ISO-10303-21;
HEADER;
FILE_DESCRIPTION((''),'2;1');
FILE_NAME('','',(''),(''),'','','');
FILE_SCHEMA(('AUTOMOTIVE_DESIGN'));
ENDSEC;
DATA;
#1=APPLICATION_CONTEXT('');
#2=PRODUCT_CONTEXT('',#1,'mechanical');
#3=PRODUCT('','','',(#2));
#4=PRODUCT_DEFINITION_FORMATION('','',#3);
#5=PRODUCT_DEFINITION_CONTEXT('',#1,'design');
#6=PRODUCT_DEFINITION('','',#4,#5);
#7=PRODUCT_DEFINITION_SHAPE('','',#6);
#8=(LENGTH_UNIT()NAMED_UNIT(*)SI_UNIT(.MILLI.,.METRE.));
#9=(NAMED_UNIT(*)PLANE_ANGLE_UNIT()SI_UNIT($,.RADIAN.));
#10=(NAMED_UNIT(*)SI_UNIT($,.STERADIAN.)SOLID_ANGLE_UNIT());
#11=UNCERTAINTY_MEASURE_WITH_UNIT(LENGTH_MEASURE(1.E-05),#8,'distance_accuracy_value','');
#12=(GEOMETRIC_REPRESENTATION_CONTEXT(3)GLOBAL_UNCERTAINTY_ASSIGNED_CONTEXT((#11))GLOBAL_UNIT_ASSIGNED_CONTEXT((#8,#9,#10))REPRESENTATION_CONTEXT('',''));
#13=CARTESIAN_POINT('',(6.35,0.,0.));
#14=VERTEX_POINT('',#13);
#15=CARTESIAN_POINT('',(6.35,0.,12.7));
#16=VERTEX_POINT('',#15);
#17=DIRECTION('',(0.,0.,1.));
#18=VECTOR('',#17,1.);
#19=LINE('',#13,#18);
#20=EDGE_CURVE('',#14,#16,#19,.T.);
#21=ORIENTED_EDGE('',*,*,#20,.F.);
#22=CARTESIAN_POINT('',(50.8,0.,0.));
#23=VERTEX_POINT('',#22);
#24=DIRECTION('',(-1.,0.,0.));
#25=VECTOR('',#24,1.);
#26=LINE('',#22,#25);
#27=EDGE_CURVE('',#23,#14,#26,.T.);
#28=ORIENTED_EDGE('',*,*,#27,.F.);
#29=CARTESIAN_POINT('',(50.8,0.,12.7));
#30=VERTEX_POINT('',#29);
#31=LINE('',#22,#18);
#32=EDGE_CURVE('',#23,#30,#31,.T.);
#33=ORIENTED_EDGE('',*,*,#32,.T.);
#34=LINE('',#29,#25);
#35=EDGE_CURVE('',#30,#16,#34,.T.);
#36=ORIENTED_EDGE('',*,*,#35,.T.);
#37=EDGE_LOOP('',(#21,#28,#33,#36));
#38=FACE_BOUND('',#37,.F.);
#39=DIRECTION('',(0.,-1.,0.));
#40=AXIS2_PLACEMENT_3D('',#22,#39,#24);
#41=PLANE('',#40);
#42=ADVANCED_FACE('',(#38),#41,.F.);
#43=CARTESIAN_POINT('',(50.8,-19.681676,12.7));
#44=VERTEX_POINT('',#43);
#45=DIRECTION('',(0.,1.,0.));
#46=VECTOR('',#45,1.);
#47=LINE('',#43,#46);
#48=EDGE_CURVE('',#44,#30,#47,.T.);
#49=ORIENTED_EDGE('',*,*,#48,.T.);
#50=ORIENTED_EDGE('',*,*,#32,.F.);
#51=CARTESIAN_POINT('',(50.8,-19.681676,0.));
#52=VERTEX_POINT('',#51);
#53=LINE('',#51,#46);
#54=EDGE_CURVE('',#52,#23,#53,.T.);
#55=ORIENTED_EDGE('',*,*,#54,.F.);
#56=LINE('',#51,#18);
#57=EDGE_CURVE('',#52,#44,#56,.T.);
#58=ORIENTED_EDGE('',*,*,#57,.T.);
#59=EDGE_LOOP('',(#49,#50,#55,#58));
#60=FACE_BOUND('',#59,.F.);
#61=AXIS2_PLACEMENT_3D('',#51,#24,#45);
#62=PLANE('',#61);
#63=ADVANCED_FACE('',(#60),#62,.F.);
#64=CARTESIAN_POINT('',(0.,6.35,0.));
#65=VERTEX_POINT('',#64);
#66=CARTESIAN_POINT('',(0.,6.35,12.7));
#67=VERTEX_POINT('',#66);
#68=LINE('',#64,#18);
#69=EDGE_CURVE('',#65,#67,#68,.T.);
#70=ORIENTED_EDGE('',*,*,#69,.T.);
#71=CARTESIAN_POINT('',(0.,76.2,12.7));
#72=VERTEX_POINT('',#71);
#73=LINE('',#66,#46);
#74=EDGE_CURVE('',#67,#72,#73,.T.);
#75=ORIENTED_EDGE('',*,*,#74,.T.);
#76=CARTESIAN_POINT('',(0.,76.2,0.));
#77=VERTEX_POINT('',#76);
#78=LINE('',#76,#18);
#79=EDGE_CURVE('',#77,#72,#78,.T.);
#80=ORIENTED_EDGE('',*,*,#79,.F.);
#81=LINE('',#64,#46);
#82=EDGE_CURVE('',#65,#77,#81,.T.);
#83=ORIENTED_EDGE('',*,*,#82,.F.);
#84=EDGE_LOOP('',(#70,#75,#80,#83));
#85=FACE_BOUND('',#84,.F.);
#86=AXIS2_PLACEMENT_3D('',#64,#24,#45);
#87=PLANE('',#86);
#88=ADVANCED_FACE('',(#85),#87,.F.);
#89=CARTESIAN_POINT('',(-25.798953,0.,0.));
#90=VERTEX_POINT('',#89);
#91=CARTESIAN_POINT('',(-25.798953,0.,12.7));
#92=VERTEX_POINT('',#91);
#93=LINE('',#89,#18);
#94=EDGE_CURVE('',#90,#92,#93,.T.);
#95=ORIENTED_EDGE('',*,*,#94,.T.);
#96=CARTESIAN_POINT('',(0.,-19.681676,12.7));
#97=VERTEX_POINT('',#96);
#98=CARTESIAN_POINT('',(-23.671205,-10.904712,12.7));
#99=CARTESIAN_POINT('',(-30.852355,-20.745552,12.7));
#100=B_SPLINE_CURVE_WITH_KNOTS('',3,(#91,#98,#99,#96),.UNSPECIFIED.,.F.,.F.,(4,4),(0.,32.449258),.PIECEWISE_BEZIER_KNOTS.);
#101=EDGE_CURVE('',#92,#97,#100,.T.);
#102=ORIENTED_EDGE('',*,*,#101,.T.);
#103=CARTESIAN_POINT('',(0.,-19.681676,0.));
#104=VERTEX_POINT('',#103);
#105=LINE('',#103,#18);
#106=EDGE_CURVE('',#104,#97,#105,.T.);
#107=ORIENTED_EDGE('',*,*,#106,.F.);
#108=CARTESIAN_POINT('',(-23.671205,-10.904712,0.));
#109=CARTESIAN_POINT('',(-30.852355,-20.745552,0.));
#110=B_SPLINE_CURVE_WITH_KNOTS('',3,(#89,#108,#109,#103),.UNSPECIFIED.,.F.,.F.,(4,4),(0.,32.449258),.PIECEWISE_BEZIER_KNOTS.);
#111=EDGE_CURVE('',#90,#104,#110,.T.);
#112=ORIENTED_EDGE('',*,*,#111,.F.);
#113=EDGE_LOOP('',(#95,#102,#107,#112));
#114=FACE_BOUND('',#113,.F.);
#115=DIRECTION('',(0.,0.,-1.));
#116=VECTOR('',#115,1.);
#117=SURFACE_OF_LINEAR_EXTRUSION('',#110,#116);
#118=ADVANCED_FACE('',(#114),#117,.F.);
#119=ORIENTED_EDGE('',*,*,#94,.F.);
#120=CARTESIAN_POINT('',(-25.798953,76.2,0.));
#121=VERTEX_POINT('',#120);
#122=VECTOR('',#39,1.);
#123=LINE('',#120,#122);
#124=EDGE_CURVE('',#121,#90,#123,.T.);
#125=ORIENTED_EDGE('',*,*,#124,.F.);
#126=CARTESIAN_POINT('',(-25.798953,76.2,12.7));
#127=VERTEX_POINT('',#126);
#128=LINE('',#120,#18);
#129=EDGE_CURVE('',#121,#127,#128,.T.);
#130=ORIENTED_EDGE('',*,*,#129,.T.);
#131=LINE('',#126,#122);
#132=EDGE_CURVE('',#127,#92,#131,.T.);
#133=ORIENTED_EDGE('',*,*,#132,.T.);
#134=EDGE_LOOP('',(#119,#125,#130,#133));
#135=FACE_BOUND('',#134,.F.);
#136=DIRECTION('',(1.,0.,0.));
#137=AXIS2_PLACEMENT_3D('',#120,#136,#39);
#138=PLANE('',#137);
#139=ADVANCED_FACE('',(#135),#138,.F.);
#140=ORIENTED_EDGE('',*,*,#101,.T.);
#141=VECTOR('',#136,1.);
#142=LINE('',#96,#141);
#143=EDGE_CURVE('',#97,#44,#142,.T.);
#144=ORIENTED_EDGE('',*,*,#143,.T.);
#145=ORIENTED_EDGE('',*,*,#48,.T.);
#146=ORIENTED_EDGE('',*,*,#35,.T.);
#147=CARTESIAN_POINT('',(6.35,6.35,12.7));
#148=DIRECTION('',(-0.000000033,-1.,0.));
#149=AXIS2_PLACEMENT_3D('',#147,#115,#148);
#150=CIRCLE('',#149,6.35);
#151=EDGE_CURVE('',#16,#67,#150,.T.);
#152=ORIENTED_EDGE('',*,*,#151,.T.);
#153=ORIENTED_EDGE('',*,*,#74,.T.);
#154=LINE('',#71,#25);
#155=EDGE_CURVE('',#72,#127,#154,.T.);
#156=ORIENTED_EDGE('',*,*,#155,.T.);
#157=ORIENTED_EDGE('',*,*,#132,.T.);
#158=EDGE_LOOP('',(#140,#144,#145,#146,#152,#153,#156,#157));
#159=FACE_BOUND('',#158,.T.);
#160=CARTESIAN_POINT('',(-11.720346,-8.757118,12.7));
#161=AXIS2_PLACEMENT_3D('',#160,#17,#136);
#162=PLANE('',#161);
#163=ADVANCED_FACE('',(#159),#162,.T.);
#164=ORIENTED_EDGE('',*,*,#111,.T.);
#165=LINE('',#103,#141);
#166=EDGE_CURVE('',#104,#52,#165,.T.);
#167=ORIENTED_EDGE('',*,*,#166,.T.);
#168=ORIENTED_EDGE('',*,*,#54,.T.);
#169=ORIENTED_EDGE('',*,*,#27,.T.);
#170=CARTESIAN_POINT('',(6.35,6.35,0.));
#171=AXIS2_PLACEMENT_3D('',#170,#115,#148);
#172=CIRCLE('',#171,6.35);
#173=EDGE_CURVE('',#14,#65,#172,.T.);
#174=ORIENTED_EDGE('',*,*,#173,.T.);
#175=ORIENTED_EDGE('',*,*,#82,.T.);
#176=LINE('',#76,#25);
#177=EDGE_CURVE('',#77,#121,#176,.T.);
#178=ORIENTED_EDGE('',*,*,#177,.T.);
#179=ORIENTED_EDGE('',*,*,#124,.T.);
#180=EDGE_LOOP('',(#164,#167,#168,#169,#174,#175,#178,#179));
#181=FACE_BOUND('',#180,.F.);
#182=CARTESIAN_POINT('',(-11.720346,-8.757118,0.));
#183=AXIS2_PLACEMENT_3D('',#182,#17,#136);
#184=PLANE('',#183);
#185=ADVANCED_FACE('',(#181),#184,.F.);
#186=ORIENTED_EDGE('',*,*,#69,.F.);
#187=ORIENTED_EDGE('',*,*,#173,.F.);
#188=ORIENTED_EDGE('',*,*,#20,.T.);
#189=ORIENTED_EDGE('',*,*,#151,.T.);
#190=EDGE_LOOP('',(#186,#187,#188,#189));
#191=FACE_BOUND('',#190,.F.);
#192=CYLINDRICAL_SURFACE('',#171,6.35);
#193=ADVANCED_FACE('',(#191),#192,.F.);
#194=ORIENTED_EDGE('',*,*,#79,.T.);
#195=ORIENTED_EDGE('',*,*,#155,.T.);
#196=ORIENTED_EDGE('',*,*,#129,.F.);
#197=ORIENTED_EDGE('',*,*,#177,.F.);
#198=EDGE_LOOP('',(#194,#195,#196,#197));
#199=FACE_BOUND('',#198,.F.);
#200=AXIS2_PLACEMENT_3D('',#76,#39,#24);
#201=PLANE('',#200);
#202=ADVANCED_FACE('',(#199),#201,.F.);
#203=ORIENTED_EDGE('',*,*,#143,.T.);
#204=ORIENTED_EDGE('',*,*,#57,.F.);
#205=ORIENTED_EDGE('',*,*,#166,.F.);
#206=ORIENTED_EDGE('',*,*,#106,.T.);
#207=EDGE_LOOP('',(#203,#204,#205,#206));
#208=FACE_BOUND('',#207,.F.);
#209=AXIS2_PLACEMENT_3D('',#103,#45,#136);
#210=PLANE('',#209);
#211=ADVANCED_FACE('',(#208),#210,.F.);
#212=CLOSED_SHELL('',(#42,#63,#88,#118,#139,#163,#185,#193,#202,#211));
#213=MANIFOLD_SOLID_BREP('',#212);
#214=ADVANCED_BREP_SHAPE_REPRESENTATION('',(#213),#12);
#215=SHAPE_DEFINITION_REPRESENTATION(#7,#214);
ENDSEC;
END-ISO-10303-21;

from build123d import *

# Parameters (mm, degrees)
F1_DEPTH = 12.7


with BuildPart() as f1:
    # F0 (on Top) → F1 (new body)
    with BuildSketch(Plane.XY):
        with BuildLine():
            Line((0, -19.681676), (0, 0))
            Line((0, 0), (-25.798953, 0))
            add(Edge.make_bspline(
                [(-25.798953, 0), (-23.671205, -10.904712), (-30.852355, -20.745552), (0, -19.681676)],
                knots=[0, 0, 0, 0, 32.449258, 32.449258, 32.449258, 32.449258], degree=3))
        make_face()
        with BuildLine():
            Line((-25.798953, 0), (0, 0))
            Line((0, 0), (0, -19.681676))
            Line((0, -19.681676), (50.8, -19.681676))
            Line((50.8, -19.681676), (50.8, 0))
            Line((50.8, 0), (6.35, 0))
            ThreePointArc((6.35, 0), (1.859872, 1.859872), (0, 6.35))
            Line((0, 6.35), (0, 76.2))
            Line((0, 76.2), (-25.798953, 76.2))
            Line((-25.798953, 76.2), (-25.798953, 0))
        make_face()
    extrude(amount=F1_DEPTH)


solid = f1.part
